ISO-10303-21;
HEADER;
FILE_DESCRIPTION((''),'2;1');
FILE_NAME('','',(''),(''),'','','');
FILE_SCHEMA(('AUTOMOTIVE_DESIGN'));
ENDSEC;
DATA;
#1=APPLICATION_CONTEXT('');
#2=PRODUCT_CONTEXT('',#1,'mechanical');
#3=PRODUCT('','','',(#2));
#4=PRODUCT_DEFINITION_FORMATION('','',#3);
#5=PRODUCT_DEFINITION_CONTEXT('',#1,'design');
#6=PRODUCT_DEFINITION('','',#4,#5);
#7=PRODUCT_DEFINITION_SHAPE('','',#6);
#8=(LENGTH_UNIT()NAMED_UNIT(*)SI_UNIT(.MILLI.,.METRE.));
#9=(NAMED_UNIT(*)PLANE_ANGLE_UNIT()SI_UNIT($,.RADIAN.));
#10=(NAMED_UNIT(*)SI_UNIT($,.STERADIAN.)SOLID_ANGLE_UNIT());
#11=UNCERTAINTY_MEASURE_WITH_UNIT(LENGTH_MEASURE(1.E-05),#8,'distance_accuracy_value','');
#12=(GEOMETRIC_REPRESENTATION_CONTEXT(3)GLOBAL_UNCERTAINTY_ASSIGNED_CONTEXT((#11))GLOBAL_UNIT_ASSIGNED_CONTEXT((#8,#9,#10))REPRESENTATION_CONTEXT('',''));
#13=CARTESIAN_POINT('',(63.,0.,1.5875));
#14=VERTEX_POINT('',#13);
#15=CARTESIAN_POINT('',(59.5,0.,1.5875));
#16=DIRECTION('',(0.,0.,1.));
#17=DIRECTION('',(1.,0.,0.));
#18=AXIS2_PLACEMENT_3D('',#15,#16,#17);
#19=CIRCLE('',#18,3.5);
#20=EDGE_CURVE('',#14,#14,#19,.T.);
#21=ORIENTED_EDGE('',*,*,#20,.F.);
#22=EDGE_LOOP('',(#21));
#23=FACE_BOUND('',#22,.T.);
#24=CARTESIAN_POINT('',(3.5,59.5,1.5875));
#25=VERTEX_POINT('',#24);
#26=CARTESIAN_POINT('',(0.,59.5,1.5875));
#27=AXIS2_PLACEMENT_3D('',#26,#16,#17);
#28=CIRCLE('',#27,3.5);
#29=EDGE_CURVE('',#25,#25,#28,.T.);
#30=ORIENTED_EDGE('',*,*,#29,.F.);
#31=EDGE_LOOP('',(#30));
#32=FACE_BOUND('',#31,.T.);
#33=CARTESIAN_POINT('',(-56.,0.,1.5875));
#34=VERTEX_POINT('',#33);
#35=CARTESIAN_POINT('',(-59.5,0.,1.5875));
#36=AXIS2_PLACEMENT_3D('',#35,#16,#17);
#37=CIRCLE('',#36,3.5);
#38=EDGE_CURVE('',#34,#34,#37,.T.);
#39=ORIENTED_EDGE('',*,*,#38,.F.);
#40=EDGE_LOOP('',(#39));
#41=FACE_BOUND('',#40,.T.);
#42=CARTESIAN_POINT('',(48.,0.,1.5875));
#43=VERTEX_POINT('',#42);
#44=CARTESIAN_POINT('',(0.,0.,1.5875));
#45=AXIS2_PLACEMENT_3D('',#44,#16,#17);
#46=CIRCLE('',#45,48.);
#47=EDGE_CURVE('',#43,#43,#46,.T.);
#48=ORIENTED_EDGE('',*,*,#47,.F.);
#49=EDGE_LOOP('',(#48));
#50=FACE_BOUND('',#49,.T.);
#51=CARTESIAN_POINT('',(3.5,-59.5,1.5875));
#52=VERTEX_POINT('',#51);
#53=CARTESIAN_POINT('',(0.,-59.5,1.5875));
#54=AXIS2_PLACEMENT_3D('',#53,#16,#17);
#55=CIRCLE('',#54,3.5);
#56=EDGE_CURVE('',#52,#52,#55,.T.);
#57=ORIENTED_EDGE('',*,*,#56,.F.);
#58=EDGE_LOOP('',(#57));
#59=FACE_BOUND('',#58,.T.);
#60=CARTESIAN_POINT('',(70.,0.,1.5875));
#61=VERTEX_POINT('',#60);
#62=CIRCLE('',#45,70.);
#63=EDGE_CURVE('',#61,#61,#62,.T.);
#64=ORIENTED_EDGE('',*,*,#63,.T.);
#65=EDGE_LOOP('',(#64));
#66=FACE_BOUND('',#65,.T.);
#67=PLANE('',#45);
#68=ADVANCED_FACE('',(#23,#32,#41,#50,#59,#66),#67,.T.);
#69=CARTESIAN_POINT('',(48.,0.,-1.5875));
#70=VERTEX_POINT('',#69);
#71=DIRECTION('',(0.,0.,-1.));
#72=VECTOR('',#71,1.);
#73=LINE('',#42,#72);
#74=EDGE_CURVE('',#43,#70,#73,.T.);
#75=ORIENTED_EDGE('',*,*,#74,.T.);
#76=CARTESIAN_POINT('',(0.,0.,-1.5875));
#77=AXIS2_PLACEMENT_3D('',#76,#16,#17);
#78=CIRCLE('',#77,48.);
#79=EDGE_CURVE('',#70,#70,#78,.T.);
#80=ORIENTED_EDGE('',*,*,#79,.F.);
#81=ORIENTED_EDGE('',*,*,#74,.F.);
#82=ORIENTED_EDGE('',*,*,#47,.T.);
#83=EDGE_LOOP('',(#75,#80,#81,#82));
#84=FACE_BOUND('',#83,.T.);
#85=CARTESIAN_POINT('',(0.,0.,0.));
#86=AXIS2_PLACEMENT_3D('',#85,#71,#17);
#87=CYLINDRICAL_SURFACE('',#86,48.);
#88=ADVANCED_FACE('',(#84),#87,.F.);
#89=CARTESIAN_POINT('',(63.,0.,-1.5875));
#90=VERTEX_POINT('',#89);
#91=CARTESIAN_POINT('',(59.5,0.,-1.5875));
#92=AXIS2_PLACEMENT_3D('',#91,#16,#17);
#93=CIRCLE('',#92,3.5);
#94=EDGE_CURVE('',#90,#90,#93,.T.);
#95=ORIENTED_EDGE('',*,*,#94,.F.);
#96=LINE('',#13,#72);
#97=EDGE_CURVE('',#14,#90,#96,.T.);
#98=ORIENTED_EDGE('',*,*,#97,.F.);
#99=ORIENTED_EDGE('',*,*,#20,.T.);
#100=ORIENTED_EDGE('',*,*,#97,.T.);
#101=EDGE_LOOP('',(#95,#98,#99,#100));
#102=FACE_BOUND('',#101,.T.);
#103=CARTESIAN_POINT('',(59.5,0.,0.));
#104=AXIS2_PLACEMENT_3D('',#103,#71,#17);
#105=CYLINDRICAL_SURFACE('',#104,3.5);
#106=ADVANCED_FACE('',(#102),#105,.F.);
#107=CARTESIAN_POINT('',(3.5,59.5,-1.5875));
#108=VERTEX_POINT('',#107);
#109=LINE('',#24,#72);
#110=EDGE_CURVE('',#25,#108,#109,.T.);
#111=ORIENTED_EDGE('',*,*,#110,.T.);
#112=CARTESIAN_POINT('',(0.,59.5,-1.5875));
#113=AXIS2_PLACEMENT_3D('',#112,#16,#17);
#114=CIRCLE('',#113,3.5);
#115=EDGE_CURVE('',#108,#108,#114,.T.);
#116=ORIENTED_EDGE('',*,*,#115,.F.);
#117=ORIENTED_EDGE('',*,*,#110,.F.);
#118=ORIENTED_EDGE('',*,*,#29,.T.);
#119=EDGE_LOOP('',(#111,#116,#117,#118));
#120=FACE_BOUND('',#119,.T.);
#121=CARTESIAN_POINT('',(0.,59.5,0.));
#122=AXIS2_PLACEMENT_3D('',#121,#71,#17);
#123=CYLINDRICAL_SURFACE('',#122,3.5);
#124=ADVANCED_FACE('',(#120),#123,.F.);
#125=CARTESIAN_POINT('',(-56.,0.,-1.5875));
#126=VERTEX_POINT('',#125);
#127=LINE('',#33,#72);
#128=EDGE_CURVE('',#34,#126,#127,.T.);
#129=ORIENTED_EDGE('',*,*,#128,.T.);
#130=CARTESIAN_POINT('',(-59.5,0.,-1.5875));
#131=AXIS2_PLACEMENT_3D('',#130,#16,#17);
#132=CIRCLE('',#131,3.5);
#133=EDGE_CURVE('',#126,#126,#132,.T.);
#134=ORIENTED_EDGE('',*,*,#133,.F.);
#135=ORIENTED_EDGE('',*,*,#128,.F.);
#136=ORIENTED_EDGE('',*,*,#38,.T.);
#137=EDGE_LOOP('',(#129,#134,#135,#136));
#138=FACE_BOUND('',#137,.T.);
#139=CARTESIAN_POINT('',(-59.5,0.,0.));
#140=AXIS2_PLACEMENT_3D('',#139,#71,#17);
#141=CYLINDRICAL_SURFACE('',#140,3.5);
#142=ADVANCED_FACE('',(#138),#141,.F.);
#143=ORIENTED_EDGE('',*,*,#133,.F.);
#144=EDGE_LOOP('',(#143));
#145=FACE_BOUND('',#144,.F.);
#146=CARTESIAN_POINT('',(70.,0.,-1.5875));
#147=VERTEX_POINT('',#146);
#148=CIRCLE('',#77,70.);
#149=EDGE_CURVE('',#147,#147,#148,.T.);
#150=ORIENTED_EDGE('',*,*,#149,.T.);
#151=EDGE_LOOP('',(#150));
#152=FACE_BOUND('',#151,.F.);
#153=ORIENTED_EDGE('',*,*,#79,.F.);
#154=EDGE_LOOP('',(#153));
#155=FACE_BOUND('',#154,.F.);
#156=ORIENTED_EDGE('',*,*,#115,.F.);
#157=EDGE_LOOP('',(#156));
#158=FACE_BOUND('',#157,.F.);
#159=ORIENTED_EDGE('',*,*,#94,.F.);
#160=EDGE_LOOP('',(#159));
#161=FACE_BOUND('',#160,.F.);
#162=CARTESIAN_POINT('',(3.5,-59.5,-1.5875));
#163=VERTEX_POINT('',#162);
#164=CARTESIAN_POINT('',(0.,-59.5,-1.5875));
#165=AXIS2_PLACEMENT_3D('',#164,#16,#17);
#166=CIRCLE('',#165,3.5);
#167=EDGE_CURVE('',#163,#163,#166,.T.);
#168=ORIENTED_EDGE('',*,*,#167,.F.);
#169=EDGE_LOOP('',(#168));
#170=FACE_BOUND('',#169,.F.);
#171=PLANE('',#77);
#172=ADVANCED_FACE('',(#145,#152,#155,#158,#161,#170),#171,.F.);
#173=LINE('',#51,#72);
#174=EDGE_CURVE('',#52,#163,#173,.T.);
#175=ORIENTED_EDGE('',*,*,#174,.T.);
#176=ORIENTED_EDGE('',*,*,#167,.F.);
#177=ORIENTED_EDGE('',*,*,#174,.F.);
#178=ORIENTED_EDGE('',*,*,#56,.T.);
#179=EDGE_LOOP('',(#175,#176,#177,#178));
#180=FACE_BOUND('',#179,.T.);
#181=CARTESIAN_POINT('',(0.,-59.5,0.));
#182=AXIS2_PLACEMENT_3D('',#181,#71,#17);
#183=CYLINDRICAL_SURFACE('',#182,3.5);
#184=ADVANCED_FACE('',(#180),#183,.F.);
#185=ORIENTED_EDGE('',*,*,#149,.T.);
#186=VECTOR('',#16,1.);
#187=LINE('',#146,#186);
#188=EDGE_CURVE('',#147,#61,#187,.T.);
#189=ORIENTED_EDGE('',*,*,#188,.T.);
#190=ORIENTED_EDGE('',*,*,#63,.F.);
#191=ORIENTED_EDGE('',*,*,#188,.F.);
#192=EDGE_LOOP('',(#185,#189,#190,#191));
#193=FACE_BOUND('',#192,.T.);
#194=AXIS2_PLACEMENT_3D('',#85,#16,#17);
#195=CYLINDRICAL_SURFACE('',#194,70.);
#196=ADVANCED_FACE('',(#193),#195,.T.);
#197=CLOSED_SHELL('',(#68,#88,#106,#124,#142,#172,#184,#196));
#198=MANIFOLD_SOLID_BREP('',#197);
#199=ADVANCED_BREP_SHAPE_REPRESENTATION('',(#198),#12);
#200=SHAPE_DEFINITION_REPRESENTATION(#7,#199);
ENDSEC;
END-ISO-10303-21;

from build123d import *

# Parameters (mm, degrees)
F0_R     = 70
F0_R_2   = 3.5
F0_R_3   = 48
F1_DEPTH = 1.5875


with BuildPart() as f1:
    # F0 (on Top) → F1 (new body, symmetric)
    with BuildSketch(Plane.XY):
        Circle(F0_R)
        with Locations((0, -59.5)):
            Circle(F0_R_2, mode=Mode.SUBTRACT)
        with Locations((-59.5, 0)):
            Circle(F0_R_2, mode=Mode.SUBTRACT)
        Circle(F0_R_3, mode=Mode.SUBTRACT)
        with Locations((59.5, 0)):
            Circle(F0_R_2, mode=Mode.SUBTRACT)
        with Locations((0, 59.5)):
            Circle(F0_R_2, mode=Mode.SUBTRACT)
    extrude(amount=F1_DEPTH, both=True)


solid = f1.part
